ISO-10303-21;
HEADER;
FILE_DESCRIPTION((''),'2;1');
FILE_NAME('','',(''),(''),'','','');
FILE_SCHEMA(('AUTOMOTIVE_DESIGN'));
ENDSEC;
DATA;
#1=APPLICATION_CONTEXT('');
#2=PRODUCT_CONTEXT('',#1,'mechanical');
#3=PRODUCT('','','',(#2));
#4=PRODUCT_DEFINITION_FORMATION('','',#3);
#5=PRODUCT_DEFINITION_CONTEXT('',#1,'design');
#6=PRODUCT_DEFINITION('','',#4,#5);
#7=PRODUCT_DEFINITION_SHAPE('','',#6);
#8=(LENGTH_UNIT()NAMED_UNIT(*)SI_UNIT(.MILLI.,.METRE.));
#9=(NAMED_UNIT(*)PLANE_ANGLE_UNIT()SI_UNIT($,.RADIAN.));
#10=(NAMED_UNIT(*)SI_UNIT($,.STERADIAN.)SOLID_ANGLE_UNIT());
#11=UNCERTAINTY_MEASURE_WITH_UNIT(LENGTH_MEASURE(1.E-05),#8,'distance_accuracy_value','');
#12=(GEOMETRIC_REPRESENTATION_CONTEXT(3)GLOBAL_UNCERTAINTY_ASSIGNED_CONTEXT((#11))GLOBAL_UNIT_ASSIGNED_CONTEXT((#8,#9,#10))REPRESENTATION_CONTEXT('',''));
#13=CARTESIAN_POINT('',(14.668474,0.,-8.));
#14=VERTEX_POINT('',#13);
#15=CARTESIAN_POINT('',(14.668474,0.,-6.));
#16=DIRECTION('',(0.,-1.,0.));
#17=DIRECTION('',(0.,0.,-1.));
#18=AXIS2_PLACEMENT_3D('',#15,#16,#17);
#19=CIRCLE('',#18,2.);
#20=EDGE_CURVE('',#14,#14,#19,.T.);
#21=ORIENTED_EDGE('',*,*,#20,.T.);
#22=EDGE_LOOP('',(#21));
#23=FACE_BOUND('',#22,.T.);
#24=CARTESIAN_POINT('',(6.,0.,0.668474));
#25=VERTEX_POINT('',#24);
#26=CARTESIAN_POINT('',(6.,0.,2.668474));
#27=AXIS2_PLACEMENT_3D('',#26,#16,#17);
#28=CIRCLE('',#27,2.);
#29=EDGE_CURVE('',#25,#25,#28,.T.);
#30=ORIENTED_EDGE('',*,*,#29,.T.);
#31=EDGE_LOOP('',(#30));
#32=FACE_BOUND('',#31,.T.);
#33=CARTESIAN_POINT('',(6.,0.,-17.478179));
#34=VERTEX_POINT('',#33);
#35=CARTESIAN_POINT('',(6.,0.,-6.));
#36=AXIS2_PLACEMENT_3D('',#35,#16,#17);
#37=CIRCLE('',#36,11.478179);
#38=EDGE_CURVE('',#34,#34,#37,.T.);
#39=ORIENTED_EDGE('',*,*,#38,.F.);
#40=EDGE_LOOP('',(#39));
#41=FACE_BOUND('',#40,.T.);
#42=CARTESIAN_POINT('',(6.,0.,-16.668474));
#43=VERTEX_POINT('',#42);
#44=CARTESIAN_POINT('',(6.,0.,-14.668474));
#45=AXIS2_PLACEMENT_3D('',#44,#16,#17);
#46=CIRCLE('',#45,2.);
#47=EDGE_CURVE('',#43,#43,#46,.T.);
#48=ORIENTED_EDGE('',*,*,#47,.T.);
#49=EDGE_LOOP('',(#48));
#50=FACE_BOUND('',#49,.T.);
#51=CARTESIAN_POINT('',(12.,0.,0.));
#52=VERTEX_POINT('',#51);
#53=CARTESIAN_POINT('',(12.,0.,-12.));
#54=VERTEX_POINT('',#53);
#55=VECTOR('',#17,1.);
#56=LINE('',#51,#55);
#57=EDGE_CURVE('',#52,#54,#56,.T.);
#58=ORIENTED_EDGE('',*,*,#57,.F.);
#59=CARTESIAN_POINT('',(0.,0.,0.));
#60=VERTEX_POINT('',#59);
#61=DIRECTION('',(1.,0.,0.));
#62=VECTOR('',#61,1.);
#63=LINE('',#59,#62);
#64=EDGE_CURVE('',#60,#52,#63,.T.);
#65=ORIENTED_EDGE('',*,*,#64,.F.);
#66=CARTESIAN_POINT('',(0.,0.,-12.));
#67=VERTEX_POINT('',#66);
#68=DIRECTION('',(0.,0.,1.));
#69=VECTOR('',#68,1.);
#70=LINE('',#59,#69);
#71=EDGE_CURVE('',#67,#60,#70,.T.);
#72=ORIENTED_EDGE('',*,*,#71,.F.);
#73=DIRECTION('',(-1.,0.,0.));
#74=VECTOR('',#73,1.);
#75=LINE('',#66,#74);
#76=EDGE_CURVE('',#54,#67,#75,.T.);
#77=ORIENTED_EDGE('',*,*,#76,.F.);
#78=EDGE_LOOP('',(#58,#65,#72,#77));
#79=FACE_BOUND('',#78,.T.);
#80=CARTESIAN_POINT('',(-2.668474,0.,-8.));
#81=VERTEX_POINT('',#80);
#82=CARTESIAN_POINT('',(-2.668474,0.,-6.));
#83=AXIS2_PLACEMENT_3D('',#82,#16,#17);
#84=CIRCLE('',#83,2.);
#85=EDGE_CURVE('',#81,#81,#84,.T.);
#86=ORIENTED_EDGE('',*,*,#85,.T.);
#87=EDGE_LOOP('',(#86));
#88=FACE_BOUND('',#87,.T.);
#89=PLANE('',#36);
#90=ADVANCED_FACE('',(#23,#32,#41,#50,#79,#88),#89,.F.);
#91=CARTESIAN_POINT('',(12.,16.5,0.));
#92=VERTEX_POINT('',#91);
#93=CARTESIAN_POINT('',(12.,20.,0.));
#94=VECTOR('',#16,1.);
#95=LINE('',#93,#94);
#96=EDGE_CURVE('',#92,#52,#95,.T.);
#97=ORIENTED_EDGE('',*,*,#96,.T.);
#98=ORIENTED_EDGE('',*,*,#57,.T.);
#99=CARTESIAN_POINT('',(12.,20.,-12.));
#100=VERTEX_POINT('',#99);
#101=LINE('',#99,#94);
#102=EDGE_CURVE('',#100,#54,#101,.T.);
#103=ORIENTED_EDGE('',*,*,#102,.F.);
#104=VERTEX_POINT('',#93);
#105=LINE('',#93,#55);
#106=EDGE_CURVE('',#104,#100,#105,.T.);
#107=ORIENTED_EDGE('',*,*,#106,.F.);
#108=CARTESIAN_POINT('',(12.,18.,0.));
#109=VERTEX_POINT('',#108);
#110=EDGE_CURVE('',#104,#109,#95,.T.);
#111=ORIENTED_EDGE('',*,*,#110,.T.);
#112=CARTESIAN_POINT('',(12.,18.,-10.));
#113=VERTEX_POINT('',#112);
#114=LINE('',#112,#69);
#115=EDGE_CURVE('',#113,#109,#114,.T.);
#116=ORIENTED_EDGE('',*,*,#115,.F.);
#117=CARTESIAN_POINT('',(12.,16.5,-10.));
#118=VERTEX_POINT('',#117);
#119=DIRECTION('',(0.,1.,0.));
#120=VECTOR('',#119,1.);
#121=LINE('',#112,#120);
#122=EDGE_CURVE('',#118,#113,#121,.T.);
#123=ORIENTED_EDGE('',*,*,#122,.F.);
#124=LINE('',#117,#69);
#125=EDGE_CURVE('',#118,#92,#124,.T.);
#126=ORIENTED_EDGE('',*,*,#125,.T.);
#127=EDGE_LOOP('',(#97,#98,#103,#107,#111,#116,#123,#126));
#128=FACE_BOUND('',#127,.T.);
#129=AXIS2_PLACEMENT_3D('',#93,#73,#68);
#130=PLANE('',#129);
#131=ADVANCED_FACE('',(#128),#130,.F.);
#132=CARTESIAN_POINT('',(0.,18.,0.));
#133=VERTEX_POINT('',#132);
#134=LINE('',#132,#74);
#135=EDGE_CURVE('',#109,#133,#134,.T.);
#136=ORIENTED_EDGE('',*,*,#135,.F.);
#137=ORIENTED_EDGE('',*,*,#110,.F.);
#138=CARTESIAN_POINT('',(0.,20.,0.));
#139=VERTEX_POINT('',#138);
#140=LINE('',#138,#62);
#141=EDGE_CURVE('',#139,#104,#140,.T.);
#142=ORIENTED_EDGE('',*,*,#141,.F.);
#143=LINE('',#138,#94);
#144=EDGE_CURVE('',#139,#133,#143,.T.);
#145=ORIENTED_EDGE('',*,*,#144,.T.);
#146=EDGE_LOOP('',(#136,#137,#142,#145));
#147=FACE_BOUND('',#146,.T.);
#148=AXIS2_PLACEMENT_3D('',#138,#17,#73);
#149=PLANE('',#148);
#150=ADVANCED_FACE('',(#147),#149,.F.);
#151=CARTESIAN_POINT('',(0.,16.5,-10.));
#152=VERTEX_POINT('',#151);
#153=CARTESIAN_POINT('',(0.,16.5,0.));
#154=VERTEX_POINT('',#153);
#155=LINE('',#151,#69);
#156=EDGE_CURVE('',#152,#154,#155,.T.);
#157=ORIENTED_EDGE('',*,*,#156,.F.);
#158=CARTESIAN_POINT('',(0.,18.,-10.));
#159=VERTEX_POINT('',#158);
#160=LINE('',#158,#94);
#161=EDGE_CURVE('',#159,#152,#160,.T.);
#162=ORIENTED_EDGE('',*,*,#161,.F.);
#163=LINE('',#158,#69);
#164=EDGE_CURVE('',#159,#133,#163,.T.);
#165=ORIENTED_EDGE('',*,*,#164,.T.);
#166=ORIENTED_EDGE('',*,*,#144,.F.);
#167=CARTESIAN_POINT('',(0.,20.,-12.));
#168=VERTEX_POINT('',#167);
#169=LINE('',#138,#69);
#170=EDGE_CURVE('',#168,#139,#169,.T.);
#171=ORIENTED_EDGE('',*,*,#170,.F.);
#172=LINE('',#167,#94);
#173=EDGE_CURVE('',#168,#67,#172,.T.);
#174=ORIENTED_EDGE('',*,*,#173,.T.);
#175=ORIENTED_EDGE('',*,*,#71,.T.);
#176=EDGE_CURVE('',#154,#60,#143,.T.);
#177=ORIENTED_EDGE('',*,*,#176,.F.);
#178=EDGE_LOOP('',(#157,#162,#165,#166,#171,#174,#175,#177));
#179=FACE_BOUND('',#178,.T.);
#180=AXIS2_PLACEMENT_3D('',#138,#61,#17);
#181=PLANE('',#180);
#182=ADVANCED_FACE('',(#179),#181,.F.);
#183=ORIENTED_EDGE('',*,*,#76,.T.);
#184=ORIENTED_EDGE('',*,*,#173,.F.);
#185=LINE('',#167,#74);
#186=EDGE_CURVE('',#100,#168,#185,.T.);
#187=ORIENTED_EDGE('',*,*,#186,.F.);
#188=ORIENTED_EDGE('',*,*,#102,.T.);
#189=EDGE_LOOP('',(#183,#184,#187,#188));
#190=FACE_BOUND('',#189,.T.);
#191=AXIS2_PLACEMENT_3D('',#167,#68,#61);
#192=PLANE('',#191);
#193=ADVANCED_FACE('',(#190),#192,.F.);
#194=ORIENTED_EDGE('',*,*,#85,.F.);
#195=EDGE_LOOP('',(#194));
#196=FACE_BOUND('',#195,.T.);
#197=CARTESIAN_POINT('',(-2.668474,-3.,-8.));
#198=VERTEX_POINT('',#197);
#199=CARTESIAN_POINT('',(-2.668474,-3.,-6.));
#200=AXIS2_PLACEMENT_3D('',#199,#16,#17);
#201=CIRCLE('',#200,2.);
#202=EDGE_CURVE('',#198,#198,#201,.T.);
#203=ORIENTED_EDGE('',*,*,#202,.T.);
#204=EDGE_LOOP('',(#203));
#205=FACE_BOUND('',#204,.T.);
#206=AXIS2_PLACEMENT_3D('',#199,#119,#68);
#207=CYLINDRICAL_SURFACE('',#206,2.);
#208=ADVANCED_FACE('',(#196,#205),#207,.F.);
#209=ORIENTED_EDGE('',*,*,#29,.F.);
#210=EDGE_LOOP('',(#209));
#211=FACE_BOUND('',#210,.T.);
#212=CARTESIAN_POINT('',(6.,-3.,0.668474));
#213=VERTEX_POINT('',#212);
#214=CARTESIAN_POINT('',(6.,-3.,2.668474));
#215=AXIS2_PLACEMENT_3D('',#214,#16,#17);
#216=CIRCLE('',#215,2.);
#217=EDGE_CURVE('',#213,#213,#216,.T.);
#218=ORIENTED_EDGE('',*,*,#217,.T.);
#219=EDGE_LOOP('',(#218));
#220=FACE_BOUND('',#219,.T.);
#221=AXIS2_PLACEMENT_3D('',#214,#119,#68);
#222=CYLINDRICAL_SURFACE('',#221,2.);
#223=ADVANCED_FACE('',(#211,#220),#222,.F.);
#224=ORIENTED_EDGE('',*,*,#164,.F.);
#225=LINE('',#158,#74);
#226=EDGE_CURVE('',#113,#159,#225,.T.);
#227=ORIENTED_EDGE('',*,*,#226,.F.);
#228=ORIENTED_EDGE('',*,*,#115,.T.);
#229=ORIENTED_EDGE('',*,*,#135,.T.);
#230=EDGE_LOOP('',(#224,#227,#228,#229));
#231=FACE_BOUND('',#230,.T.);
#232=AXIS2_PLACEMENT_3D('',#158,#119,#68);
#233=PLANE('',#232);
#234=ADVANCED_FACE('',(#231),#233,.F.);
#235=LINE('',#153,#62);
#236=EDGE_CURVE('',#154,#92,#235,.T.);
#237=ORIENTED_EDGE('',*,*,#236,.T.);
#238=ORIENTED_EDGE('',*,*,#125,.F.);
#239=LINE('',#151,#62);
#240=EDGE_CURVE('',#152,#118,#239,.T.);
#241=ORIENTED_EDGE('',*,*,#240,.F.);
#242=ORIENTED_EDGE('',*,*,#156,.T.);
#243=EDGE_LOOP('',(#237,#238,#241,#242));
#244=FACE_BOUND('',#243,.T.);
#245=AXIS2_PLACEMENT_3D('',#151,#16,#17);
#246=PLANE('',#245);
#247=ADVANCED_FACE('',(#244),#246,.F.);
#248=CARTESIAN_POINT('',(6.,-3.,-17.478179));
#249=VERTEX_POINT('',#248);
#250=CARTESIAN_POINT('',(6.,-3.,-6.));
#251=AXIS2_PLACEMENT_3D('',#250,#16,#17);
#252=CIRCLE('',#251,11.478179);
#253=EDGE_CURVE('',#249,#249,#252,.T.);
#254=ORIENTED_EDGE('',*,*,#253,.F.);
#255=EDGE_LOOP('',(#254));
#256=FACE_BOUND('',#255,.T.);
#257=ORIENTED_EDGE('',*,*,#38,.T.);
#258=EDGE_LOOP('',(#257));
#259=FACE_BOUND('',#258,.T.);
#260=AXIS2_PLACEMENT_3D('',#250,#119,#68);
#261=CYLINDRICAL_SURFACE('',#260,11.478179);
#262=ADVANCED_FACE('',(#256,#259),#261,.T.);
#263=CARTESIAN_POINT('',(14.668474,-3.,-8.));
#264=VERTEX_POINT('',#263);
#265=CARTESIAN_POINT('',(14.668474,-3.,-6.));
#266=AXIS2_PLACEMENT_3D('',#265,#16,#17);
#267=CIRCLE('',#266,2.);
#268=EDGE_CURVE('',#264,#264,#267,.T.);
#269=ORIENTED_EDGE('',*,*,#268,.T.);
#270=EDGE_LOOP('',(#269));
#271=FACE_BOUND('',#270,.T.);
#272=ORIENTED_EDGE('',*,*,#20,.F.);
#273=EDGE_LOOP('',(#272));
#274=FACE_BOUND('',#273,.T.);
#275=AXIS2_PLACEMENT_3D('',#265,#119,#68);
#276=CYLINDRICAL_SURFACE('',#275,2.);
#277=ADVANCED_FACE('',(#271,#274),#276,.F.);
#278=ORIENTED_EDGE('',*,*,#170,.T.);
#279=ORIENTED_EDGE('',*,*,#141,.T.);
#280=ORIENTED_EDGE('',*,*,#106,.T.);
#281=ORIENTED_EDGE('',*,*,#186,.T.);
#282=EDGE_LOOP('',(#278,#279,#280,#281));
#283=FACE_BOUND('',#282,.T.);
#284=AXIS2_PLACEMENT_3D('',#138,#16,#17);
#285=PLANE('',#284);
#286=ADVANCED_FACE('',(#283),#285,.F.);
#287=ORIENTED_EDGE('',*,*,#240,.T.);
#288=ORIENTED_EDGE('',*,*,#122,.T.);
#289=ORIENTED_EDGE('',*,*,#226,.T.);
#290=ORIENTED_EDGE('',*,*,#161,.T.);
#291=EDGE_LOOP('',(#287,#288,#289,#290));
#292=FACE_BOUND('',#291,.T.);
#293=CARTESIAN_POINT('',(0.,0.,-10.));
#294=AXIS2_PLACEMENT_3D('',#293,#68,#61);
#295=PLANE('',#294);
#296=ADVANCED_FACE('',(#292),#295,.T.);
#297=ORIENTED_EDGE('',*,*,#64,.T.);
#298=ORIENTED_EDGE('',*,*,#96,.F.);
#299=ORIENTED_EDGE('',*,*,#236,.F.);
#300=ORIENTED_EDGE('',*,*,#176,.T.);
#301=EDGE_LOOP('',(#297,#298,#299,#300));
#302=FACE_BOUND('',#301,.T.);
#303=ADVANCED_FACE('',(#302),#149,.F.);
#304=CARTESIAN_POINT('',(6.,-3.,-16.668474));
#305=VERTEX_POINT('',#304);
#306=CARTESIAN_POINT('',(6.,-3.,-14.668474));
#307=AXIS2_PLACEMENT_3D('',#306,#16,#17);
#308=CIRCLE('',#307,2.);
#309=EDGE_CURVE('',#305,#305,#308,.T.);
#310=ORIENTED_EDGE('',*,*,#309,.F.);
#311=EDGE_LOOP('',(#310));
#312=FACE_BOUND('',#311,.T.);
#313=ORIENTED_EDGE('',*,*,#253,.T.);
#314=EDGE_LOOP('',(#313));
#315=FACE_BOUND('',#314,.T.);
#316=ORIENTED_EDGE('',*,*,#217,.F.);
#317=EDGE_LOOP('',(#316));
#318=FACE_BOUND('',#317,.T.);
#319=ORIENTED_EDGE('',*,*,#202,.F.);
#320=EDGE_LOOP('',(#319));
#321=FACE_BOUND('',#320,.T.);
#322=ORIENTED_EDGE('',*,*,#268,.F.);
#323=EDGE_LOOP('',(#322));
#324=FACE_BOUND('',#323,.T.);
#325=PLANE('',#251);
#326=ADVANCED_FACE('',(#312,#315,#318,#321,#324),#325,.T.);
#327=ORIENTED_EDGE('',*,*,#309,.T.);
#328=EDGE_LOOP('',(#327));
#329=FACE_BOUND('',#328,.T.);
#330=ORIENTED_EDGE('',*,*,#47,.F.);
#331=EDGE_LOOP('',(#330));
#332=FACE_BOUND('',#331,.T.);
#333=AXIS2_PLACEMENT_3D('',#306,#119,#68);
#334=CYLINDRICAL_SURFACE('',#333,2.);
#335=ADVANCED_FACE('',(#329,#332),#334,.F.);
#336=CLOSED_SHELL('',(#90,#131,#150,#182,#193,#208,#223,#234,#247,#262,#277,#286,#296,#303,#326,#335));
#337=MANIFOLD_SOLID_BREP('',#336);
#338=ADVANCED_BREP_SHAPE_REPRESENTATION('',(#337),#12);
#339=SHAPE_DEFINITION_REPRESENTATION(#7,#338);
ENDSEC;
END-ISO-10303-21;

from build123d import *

# Parameters (mm, degrees)
CROQUIS1_W              = 12
CROQUIS1_H              = 12
SALIENTE_EXTRUIR1_DEPTH = 20
CROQUIS2_W              = 12
CROQUIS2_H              = 1.5
CORTAR_EXTRUIR1_DEPTH   = 10
CROQUIS3_R              = 11.478178836
CROQUIS3_R_2            = 2
SALIENTE_EXTRUIR2_DEPTH = 3


with BuildPart() as part:
    # Croquis1 → Saliente-Extruir1 (new body)
    with BuildSketch(Plane(origin=(0, 0, 0), x_dir=(1, 0, 0), z_dir=(0, 1, 0))):
        with Locations((6, 6)):
            Rectangle(CROQUIS1_W, CROQUIS1_H)
    extrude(amount=SALIENTE_EXTRUIR1_DEPTH)

    # Croquis2 → Cortar-Extruir1 (cut)
    with BuildSketch(Plane.XY):
        with Locations((6, 17.25)):
            Rectangle(CROQUIS2_W, CROQUIS2_H)
    extrude(amount=-CORTAR_EXTRUIR1_DEPTH, mode=Mode.SUBTRACT)

    # Croquis3 → Saliente-Extruir2 (add)
    with BuildSketch(Plane.XZ):
        with Locations(Location((6, -6, 0), (0, 0, 270))):
            Circle(CROQUIS3_R)
        with Locations(Location((14.668474488, -6, 0), (0, 0, 270))):
            Circle(CROQUIS3_R_2, mode=Mode.SUBTRACT)
        with Locations(Location((6, -14.668474488, 0), (0, 0, 270))):
            Circle(CROQUIS3_R_2, mode=Mode.SUBTRACT)
        with Locations(Location((-2.668474488, -6, 0), (0, 0, 270))):
            Circle(CROQUIS3_R_2, mode=Mode.SUBTRACT)
        with Locations(Location((6, 2.668474488, 0), (0, 0, 270))):
            Circle(CROQUIS3_R_2, mode=Mode.SUBTRACT)
    extrude(amount=SALIENTE_EXTRUIR2_DEPTH)


solid = part.part
